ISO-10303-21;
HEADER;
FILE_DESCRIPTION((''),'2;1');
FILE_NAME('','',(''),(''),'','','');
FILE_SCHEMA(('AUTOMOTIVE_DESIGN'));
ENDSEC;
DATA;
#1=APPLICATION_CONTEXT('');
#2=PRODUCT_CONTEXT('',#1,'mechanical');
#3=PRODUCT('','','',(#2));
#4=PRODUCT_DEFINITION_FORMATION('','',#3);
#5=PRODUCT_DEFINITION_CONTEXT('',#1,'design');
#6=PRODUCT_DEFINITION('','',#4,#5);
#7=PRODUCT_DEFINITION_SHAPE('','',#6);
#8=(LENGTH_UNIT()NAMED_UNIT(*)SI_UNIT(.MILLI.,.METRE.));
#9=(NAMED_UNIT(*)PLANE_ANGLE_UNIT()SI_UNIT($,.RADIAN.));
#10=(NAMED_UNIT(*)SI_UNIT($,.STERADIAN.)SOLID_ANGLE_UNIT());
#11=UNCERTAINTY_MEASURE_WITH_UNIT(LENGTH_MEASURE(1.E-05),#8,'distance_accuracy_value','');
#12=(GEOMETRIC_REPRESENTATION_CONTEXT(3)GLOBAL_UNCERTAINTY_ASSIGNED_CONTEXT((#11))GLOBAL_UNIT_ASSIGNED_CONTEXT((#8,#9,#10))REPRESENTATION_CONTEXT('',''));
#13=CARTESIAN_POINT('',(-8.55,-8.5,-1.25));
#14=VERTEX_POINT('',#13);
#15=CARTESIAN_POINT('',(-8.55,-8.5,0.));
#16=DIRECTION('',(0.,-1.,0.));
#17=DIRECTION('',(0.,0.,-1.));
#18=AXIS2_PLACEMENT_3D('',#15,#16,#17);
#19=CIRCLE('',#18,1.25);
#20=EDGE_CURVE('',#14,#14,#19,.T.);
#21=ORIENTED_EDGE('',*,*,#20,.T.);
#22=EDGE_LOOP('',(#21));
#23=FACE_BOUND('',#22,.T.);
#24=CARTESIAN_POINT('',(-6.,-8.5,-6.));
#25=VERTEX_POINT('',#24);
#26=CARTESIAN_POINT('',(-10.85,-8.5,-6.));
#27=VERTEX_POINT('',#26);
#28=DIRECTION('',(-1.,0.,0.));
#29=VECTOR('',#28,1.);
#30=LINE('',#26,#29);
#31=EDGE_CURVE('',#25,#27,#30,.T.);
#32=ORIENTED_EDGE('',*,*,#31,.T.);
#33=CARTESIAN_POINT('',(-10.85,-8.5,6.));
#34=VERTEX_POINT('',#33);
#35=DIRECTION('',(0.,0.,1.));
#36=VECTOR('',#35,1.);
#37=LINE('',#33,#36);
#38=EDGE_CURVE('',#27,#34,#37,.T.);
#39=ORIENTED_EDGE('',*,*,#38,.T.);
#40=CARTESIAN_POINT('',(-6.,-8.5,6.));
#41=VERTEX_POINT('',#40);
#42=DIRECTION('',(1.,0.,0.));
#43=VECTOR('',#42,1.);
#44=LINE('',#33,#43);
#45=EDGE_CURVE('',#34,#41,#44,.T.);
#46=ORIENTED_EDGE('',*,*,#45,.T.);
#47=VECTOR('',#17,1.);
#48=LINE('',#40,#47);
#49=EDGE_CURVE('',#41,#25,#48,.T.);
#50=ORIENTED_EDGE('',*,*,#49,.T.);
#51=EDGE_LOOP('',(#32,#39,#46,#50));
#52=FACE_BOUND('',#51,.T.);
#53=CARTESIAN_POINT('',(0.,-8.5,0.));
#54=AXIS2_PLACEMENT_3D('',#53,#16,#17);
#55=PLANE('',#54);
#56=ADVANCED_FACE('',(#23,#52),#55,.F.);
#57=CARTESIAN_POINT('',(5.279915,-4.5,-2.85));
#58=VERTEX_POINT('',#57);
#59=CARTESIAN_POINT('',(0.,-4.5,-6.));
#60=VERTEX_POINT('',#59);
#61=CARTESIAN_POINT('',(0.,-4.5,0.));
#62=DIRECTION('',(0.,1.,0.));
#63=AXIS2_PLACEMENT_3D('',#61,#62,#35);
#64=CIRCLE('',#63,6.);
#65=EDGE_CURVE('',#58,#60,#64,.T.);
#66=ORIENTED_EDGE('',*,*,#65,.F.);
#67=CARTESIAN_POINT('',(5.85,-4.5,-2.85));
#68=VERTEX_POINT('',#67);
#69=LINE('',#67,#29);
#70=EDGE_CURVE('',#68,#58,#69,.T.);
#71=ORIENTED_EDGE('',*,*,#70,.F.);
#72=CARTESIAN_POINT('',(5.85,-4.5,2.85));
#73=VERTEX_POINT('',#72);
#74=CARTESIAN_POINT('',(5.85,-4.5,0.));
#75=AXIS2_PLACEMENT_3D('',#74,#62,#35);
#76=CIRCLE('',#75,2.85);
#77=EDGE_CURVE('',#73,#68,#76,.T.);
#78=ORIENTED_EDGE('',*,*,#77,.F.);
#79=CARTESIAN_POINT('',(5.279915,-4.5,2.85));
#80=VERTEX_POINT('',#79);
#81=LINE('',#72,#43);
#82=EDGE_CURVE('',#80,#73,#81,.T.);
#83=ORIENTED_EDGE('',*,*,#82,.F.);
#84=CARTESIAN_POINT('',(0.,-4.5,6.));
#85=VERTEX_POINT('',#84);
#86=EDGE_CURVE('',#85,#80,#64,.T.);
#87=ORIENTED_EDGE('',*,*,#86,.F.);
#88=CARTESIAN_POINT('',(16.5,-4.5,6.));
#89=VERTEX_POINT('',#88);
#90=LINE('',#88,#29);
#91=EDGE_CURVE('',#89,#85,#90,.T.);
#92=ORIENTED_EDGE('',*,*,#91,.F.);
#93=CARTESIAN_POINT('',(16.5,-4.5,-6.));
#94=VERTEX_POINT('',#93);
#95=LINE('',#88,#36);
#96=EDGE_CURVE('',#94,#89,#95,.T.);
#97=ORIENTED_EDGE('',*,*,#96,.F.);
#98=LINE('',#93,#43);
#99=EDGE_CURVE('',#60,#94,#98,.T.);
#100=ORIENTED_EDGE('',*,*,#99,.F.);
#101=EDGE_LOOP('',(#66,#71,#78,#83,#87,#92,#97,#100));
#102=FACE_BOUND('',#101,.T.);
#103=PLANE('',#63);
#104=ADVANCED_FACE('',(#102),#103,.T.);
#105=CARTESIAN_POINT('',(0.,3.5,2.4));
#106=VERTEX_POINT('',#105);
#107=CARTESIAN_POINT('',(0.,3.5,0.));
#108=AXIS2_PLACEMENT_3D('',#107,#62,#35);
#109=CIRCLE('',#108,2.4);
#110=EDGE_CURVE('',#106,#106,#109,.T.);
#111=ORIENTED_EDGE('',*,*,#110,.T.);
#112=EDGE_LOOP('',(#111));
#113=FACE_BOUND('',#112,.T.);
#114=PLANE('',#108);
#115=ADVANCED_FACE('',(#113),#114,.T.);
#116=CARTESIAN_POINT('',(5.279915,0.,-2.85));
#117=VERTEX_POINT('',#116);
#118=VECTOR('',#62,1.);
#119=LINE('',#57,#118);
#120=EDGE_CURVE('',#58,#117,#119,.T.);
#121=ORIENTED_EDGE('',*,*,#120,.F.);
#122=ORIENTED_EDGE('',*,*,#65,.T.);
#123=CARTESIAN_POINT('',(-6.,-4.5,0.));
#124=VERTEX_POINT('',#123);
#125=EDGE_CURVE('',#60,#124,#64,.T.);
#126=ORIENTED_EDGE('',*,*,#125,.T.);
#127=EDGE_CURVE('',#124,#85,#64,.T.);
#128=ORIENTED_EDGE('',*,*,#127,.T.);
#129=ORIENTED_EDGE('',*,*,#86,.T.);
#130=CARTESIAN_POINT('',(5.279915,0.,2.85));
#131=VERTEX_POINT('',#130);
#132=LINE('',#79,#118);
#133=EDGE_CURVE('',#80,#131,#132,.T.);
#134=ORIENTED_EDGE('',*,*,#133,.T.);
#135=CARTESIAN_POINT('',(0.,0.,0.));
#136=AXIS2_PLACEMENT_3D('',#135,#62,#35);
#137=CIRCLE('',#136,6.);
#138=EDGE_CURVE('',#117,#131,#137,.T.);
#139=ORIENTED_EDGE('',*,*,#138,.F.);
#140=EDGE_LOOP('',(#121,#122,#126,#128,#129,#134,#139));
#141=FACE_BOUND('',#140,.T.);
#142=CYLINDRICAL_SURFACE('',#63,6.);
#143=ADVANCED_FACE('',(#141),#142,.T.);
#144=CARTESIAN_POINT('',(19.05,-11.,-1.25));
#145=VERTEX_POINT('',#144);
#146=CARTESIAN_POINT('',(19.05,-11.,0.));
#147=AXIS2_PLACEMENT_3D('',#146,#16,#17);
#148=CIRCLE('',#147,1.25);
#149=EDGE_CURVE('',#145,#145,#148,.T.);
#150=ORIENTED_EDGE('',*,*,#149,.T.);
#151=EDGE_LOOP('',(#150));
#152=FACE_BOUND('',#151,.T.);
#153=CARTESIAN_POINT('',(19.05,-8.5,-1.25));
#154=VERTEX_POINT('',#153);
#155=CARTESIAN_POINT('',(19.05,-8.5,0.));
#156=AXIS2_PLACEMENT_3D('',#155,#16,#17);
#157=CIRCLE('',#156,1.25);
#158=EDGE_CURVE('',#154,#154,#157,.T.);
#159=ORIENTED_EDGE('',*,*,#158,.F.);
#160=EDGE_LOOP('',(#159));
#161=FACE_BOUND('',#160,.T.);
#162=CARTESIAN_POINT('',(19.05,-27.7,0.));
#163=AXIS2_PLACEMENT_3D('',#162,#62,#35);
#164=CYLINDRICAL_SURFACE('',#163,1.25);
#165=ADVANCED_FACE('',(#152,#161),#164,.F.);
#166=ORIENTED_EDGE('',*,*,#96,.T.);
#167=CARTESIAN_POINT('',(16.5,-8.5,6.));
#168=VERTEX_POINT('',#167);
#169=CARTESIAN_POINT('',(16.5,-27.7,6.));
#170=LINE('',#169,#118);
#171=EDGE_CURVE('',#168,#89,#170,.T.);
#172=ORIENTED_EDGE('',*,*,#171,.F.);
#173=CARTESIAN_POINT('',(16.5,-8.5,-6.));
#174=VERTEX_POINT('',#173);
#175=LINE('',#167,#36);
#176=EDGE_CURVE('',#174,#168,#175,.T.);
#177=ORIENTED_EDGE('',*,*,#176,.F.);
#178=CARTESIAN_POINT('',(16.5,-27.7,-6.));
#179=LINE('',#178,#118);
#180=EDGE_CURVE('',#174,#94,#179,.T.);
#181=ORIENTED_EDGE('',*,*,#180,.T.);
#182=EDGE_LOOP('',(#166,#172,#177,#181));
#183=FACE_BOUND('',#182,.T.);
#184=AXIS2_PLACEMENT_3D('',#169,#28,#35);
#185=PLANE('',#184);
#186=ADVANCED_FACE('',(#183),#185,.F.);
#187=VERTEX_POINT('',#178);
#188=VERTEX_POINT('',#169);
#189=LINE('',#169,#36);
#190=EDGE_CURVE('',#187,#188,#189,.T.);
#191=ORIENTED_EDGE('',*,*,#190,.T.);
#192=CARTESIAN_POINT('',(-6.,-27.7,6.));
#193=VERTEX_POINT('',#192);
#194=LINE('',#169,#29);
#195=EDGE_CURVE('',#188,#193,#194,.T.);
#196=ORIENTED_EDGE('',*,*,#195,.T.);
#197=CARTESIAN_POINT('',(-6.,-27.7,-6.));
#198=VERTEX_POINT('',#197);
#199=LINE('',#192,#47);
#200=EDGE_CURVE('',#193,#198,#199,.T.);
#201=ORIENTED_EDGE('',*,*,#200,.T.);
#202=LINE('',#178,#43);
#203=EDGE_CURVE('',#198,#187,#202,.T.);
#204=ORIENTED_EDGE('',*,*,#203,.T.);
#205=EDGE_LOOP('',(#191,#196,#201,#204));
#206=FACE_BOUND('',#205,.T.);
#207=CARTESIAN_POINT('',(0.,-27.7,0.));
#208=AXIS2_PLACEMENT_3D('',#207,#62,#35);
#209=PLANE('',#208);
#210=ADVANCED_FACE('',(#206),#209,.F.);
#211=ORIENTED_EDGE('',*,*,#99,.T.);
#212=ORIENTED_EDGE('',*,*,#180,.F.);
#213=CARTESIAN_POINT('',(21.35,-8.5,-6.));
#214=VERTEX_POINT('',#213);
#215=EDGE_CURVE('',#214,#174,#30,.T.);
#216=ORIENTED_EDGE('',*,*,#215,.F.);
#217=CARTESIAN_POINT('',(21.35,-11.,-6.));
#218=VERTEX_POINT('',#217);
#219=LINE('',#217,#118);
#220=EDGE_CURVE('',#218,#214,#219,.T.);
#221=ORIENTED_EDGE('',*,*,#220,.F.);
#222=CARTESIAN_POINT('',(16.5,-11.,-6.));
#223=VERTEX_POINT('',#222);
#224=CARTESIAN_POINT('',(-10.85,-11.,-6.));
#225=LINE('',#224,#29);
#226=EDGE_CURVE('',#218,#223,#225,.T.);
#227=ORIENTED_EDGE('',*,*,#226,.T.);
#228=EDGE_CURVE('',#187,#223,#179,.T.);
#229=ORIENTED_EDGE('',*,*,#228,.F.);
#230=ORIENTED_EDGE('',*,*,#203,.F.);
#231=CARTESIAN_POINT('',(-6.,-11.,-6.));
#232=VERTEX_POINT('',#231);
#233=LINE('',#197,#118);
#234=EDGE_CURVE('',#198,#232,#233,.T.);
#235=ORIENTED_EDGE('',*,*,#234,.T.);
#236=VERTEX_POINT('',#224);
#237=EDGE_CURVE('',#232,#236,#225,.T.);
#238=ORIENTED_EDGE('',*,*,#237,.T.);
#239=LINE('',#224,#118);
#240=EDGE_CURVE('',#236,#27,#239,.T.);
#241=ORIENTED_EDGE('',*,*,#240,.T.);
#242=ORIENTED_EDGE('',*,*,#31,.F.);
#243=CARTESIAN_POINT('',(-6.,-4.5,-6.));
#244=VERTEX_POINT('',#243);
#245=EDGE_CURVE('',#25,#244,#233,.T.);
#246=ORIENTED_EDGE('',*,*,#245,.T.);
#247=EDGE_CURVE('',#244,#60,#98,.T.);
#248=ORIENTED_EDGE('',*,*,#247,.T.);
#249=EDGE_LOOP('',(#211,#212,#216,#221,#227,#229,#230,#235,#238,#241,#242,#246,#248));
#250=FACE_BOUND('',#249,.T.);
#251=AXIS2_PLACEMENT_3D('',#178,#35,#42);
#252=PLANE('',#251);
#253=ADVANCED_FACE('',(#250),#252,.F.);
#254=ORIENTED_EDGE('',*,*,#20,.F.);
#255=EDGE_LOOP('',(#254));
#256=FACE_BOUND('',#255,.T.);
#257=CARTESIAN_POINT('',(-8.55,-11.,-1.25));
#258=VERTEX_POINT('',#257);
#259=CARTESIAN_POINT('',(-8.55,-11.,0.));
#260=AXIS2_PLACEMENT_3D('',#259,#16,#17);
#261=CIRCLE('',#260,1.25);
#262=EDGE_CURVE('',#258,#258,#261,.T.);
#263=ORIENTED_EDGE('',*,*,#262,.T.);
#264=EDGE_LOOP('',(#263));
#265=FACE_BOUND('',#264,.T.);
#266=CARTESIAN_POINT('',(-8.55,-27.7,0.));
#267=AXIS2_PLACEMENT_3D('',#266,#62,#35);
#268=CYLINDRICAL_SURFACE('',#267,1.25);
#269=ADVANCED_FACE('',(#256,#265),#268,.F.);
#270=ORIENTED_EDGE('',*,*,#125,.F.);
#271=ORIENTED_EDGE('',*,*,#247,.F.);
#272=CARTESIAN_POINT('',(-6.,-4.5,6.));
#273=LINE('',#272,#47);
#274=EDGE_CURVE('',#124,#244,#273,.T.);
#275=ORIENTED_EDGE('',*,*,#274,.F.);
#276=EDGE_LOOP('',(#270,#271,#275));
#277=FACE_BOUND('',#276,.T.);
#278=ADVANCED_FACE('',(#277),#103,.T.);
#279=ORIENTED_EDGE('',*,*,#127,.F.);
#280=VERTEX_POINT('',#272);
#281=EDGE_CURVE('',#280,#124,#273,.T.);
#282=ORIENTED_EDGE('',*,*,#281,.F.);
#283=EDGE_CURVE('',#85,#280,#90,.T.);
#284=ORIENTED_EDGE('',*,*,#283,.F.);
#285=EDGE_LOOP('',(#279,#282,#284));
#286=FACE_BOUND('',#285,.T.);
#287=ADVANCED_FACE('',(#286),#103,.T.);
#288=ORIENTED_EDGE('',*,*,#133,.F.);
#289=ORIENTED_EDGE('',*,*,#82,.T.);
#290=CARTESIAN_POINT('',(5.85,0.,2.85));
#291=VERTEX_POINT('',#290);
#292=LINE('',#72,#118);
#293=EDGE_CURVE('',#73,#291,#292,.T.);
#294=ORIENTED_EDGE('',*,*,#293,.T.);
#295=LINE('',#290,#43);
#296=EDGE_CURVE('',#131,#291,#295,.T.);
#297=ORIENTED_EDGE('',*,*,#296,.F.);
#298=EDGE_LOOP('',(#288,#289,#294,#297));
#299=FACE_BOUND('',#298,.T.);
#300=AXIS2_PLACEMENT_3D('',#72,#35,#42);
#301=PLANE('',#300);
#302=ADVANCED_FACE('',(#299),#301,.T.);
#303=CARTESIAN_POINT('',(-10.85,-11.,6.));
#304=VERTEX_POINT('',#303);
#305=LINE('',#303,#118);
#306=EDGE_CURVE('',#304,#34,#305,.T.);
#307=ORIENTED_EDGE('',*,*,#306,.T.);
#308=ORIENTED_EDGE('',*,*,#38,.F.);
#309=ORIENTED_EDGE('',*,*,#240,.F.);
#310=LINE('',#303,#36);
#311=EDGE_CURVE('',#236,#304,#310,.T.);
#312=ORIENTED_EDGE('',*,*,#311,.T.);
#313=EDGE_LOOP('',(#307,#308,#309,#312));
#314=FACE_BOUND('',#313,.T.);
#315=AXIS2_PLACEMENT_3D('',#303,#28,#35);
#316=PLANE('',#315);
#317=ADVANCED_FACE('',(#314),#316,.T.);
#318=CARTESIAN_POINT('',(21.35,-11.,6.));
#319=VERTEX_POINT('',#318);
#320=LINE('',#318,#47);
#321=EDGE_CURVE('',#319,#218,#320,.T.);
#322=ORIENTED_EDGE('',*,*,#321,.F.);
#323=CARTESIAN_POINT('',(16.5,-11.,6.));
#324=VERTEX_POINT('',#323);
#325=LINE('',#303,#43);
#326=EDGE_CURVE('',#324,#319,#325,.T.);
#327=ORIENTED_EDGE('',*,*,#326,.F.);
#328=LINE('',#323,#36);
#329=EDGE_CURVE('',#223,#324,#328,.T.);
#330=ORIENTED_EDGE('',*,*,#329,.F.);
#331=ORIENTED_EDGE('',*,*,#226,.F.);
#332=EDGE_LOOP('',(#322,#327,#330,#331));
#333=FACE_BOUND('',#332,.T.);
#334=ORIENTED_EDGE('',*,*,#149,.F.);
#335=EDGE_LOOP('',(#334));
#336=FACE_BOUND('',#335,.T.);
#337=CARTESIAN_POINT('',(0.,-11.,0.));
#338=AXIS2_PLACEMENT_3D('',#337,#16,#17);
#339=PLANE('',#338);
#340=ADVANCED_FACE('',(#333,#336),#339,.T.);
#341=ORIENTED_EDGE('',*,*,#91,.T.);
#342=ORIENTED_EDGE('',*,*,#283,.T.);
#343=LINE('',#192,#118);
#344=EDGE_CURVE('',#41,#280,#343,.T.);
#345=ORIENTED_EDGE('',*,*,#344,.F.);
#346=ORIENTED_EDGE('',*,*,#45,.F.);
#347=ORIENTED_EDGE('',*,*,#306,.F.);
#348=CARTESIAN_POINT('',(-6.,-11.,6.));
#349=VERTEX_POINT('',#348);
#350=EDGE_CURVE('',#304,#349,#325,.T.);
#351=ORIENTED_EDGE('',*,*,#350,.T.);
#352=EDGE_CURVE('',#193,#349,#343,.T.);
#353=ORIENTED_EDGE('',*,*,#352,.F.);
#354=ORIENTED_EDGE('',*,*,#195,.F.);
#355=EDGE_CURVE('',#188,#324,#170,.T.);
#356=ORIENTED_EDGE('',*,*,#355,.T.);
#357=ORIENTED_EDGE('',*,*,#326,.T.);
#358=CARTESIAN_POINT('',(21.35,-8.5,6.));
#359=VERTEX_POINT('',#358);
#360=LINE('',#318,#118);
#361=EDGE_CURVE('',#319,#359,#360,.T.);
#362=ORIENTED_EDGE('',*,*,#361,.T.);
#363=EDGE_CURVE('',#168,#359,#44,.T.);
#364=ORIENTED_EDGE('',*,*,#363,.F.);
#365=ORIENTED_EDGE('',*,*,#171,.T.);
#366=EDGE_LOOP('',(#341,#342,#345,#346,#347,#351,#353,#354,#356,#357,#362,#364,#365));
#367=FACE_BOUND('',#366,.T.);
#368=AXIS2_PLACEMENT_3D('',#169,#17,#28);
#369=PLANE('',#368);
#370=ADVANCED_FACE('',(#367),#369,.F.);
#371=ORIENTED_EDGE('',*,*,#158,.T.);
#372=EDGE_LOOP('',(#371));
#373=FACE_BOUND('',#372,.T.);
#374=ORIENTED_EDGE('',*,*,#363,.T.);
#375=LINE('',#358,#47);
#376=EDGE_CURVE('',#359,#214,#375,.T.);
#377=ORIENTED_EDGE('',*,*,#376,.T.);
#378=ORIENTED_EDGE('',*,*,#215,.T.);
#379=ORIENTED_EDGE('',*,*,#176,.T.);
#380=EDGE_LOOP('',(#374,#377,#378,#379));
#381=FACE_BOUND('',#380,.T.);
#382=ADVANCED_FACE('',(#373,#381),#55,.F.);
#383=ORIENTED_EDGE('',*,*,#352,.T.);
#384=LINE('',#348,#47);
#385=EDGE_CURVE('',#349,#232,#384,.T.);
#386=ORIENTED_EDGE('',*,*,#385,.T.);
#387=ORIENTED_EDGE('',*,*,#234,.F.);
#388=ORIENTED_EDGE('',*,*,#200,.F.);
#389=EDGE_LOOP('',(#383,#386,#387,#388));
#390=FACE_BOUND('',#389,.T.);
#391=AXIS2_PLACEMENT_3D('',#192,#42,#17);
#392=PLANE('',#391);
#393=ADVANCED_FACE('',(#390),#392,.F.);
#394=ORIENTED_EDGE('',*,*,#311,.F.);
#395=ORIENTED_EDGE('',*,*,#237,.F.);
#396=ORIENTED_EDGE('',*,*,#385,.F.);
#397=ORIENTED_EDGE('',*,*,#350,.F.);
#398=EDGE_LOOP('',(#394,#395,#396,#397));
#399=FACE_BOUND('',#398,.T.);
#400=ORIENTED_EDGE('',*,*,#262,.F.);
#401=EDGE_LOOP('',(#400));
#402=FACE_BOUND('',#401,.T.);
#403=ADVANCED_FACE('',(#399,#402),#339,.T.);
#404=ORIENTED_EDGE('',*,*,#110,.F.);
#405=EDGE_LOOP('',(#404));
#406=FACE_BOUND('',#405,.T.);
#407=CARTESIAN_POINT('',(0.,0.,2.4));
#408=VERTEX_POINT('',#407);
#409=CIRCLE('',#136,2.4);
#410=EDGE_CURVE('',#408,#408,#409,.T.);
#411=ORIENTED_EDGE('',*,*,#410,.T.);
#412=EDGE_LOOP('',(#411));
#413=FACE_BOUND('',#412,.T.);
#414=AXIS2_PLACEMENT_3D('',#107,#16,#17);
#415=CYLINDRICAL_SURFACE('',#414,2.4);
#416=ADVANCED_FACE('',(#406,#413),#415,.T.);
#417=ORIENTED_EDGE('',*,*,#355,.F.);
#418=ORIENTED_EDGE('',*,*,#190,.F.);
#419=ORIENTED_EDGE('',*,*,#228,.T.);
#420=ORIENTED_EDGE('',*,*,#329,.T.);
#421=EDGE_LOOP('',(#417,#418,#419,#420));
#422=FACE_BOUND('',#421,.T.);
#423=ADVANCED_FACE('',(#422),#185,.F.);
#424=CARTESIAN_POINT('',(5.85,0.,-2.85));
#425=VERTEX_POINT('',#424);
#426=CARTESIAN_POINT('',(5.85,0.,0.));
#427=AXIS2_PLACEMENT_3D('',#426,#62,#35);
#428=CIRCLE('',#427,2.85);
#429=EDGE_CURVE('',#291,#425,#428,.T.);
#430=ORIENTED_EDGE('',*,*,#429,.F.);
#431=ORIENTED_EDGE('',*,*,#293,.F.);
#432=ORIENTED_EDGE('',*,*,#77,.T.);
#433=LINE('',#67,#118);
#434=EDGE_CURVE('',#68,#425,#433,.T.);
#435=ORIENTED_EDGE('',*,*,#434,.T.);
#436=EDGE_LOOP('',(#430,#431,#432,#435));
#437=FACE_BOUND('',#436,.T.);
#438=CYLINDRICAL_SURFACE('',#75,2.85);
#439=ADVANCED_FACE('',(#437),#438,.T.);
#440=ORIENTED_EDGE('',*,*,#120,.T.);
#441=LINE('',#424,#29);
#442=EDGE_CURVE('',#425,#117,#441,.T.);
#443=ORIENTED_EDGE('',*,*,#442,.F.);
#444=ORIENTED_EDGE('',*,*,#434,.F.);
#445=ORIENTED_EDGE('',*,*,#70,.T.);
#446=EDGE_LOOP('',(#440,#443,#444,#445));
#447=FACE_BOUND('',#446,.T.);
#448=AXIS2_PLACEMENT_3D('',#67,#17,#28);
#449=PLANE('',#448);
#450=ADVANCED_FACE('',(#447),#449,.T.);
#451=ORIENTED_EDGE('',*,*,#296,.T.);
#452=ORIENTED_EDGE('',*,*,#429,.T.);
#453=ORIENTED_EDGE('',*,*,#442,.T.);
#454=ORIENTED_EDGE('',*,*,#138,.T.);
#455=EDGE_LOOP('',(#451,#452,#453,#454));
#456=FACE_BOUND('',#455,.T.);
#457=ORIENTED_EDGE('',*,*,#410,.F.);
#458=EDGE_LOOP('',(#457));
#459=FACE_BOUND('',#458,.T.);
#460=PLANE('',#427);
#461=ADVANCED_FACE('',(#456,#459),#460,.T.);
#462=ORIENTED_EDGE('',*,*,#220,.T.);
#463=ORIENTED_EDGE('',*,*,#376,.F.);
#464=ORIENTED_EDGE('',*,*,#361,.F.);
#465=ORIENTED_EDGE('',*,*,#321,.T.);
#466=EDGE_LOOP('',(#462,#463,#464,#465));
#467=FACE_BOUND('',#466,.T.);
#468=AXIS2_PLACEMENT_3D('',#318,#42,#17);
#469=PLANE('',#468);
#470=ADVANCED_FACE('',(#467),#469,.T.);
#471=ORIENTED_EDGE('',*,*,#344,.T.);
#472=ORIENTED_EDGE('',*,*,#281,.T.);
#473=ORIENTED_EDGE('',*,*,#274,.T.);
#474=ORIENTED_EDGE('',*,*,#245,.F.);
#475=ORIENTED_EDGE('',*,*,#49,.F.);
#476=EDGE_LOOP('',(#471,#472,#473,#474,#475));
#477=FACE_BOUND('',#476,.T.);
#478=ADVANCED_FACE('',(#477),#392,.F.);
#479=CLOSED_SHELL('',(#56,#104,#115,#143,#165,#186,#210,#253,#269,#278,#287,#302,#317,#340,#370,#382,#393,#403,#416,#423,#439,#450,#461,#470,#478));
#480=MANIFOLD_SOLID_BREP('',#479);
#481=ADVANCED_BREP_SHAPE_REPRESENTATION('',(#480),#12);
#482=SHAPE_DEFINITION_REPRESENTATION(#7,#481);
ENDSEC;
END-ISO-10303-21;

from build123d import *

# Parameters (mm, degrees)
SKETCH1_R          = 2.4
EXTRUDE_269_DEPTH  = 3.5
EXTRUDE_450_DEPTH  = 4.5
SKETCH3_W          = 22.5
SKETCH3_H          = 12
EXTRUDE_686_DEPTH  = 23.2
SKETCH4_W          = 32.2
SKETCH4_H          = 12
EXTRUDE_857_DEPTH  = 2.5
SKETCH5_R          = 1.25
CUT_EXTRUDE1_DEPTH = 36.483975256


with BuildPart() as part:
    # Sketch1 → Extrude 269 (new body)
    with BuildSketch(Plane(origin=(0, 0, 0), x_dir=(1, 0, 0), z_dir=(0, 1, 0))):
        with Locations(Location((0, 0, 0), (0, 0, 270))):
            Circle(SKETCH1_R)
    extrude(amount=EXTRUDE_269_DEPTH)

    # Sketch2 → Extrude 450 (add)
    with BuildSketch(Plane(origin=(0, 0, 0), x_dir=(1, 0, 0), z_dir=(0, 1, 0))):
        with BuildLine():
            Line((5.85, -2.85), (5.279914772, -2.85))
            ThreePointArc((5.279914772, -2.85), (-6, 0), (5.279914772, 2.85))
            Line((5.279914772, 2.85), (5.85, 2.85))
            ThreePointArc((5.85, 2.85), (8.7, 0), (5.85, -2.85))
        make_face()
    extrude(amount=-EXTRUDE_450_DEPTH)

    # Sketch3 → Extrude 686 (add)
    with BuildSketch(Plane(origin=(0, -4.5, 0), x_dir=(-1, 0, 0), z_dir=(0, -1, 0))):
        with Locations((-5.25, 0)):
            Rectangle(SKETCH3_W, SKETCH3_H)
    extrude(amount=EXTRUDE_686_DEPTH)

    # Sketch4 → Extrude 857 (add)
    with BuildSketch(Plane(origin=(0, -8.5, 0), x_dir=(1, 0, 0), z_dir=(0, 1, 0))):
        with Locations((5.25, 0)):
            Rectangle(SKETCH4_W, SKETCH4_H)
    extrude(amount=-EXTRUDE_857_DEPTH)

    # Sketch5 → Cut-Extrude1 (cut, through all)
    with BuildSketch(Plane(origin=(0, 0, 0), x_dir=(1, 0, 0), z_dir=(0, 1, 0))):
        with Locations(Location((-8.55, 0, 0), (0, 0, 90))):
            Circle(SKETCH5_R)
        with Locations(Location((19.05, 0, 0), (0, 0, 90))):
            Circle(SKETCH5_R)
    extrude(amount=-CUT_EXTRUDE1_DEPTH, mode=Mode.SUBTRACT)


solid = part.part
